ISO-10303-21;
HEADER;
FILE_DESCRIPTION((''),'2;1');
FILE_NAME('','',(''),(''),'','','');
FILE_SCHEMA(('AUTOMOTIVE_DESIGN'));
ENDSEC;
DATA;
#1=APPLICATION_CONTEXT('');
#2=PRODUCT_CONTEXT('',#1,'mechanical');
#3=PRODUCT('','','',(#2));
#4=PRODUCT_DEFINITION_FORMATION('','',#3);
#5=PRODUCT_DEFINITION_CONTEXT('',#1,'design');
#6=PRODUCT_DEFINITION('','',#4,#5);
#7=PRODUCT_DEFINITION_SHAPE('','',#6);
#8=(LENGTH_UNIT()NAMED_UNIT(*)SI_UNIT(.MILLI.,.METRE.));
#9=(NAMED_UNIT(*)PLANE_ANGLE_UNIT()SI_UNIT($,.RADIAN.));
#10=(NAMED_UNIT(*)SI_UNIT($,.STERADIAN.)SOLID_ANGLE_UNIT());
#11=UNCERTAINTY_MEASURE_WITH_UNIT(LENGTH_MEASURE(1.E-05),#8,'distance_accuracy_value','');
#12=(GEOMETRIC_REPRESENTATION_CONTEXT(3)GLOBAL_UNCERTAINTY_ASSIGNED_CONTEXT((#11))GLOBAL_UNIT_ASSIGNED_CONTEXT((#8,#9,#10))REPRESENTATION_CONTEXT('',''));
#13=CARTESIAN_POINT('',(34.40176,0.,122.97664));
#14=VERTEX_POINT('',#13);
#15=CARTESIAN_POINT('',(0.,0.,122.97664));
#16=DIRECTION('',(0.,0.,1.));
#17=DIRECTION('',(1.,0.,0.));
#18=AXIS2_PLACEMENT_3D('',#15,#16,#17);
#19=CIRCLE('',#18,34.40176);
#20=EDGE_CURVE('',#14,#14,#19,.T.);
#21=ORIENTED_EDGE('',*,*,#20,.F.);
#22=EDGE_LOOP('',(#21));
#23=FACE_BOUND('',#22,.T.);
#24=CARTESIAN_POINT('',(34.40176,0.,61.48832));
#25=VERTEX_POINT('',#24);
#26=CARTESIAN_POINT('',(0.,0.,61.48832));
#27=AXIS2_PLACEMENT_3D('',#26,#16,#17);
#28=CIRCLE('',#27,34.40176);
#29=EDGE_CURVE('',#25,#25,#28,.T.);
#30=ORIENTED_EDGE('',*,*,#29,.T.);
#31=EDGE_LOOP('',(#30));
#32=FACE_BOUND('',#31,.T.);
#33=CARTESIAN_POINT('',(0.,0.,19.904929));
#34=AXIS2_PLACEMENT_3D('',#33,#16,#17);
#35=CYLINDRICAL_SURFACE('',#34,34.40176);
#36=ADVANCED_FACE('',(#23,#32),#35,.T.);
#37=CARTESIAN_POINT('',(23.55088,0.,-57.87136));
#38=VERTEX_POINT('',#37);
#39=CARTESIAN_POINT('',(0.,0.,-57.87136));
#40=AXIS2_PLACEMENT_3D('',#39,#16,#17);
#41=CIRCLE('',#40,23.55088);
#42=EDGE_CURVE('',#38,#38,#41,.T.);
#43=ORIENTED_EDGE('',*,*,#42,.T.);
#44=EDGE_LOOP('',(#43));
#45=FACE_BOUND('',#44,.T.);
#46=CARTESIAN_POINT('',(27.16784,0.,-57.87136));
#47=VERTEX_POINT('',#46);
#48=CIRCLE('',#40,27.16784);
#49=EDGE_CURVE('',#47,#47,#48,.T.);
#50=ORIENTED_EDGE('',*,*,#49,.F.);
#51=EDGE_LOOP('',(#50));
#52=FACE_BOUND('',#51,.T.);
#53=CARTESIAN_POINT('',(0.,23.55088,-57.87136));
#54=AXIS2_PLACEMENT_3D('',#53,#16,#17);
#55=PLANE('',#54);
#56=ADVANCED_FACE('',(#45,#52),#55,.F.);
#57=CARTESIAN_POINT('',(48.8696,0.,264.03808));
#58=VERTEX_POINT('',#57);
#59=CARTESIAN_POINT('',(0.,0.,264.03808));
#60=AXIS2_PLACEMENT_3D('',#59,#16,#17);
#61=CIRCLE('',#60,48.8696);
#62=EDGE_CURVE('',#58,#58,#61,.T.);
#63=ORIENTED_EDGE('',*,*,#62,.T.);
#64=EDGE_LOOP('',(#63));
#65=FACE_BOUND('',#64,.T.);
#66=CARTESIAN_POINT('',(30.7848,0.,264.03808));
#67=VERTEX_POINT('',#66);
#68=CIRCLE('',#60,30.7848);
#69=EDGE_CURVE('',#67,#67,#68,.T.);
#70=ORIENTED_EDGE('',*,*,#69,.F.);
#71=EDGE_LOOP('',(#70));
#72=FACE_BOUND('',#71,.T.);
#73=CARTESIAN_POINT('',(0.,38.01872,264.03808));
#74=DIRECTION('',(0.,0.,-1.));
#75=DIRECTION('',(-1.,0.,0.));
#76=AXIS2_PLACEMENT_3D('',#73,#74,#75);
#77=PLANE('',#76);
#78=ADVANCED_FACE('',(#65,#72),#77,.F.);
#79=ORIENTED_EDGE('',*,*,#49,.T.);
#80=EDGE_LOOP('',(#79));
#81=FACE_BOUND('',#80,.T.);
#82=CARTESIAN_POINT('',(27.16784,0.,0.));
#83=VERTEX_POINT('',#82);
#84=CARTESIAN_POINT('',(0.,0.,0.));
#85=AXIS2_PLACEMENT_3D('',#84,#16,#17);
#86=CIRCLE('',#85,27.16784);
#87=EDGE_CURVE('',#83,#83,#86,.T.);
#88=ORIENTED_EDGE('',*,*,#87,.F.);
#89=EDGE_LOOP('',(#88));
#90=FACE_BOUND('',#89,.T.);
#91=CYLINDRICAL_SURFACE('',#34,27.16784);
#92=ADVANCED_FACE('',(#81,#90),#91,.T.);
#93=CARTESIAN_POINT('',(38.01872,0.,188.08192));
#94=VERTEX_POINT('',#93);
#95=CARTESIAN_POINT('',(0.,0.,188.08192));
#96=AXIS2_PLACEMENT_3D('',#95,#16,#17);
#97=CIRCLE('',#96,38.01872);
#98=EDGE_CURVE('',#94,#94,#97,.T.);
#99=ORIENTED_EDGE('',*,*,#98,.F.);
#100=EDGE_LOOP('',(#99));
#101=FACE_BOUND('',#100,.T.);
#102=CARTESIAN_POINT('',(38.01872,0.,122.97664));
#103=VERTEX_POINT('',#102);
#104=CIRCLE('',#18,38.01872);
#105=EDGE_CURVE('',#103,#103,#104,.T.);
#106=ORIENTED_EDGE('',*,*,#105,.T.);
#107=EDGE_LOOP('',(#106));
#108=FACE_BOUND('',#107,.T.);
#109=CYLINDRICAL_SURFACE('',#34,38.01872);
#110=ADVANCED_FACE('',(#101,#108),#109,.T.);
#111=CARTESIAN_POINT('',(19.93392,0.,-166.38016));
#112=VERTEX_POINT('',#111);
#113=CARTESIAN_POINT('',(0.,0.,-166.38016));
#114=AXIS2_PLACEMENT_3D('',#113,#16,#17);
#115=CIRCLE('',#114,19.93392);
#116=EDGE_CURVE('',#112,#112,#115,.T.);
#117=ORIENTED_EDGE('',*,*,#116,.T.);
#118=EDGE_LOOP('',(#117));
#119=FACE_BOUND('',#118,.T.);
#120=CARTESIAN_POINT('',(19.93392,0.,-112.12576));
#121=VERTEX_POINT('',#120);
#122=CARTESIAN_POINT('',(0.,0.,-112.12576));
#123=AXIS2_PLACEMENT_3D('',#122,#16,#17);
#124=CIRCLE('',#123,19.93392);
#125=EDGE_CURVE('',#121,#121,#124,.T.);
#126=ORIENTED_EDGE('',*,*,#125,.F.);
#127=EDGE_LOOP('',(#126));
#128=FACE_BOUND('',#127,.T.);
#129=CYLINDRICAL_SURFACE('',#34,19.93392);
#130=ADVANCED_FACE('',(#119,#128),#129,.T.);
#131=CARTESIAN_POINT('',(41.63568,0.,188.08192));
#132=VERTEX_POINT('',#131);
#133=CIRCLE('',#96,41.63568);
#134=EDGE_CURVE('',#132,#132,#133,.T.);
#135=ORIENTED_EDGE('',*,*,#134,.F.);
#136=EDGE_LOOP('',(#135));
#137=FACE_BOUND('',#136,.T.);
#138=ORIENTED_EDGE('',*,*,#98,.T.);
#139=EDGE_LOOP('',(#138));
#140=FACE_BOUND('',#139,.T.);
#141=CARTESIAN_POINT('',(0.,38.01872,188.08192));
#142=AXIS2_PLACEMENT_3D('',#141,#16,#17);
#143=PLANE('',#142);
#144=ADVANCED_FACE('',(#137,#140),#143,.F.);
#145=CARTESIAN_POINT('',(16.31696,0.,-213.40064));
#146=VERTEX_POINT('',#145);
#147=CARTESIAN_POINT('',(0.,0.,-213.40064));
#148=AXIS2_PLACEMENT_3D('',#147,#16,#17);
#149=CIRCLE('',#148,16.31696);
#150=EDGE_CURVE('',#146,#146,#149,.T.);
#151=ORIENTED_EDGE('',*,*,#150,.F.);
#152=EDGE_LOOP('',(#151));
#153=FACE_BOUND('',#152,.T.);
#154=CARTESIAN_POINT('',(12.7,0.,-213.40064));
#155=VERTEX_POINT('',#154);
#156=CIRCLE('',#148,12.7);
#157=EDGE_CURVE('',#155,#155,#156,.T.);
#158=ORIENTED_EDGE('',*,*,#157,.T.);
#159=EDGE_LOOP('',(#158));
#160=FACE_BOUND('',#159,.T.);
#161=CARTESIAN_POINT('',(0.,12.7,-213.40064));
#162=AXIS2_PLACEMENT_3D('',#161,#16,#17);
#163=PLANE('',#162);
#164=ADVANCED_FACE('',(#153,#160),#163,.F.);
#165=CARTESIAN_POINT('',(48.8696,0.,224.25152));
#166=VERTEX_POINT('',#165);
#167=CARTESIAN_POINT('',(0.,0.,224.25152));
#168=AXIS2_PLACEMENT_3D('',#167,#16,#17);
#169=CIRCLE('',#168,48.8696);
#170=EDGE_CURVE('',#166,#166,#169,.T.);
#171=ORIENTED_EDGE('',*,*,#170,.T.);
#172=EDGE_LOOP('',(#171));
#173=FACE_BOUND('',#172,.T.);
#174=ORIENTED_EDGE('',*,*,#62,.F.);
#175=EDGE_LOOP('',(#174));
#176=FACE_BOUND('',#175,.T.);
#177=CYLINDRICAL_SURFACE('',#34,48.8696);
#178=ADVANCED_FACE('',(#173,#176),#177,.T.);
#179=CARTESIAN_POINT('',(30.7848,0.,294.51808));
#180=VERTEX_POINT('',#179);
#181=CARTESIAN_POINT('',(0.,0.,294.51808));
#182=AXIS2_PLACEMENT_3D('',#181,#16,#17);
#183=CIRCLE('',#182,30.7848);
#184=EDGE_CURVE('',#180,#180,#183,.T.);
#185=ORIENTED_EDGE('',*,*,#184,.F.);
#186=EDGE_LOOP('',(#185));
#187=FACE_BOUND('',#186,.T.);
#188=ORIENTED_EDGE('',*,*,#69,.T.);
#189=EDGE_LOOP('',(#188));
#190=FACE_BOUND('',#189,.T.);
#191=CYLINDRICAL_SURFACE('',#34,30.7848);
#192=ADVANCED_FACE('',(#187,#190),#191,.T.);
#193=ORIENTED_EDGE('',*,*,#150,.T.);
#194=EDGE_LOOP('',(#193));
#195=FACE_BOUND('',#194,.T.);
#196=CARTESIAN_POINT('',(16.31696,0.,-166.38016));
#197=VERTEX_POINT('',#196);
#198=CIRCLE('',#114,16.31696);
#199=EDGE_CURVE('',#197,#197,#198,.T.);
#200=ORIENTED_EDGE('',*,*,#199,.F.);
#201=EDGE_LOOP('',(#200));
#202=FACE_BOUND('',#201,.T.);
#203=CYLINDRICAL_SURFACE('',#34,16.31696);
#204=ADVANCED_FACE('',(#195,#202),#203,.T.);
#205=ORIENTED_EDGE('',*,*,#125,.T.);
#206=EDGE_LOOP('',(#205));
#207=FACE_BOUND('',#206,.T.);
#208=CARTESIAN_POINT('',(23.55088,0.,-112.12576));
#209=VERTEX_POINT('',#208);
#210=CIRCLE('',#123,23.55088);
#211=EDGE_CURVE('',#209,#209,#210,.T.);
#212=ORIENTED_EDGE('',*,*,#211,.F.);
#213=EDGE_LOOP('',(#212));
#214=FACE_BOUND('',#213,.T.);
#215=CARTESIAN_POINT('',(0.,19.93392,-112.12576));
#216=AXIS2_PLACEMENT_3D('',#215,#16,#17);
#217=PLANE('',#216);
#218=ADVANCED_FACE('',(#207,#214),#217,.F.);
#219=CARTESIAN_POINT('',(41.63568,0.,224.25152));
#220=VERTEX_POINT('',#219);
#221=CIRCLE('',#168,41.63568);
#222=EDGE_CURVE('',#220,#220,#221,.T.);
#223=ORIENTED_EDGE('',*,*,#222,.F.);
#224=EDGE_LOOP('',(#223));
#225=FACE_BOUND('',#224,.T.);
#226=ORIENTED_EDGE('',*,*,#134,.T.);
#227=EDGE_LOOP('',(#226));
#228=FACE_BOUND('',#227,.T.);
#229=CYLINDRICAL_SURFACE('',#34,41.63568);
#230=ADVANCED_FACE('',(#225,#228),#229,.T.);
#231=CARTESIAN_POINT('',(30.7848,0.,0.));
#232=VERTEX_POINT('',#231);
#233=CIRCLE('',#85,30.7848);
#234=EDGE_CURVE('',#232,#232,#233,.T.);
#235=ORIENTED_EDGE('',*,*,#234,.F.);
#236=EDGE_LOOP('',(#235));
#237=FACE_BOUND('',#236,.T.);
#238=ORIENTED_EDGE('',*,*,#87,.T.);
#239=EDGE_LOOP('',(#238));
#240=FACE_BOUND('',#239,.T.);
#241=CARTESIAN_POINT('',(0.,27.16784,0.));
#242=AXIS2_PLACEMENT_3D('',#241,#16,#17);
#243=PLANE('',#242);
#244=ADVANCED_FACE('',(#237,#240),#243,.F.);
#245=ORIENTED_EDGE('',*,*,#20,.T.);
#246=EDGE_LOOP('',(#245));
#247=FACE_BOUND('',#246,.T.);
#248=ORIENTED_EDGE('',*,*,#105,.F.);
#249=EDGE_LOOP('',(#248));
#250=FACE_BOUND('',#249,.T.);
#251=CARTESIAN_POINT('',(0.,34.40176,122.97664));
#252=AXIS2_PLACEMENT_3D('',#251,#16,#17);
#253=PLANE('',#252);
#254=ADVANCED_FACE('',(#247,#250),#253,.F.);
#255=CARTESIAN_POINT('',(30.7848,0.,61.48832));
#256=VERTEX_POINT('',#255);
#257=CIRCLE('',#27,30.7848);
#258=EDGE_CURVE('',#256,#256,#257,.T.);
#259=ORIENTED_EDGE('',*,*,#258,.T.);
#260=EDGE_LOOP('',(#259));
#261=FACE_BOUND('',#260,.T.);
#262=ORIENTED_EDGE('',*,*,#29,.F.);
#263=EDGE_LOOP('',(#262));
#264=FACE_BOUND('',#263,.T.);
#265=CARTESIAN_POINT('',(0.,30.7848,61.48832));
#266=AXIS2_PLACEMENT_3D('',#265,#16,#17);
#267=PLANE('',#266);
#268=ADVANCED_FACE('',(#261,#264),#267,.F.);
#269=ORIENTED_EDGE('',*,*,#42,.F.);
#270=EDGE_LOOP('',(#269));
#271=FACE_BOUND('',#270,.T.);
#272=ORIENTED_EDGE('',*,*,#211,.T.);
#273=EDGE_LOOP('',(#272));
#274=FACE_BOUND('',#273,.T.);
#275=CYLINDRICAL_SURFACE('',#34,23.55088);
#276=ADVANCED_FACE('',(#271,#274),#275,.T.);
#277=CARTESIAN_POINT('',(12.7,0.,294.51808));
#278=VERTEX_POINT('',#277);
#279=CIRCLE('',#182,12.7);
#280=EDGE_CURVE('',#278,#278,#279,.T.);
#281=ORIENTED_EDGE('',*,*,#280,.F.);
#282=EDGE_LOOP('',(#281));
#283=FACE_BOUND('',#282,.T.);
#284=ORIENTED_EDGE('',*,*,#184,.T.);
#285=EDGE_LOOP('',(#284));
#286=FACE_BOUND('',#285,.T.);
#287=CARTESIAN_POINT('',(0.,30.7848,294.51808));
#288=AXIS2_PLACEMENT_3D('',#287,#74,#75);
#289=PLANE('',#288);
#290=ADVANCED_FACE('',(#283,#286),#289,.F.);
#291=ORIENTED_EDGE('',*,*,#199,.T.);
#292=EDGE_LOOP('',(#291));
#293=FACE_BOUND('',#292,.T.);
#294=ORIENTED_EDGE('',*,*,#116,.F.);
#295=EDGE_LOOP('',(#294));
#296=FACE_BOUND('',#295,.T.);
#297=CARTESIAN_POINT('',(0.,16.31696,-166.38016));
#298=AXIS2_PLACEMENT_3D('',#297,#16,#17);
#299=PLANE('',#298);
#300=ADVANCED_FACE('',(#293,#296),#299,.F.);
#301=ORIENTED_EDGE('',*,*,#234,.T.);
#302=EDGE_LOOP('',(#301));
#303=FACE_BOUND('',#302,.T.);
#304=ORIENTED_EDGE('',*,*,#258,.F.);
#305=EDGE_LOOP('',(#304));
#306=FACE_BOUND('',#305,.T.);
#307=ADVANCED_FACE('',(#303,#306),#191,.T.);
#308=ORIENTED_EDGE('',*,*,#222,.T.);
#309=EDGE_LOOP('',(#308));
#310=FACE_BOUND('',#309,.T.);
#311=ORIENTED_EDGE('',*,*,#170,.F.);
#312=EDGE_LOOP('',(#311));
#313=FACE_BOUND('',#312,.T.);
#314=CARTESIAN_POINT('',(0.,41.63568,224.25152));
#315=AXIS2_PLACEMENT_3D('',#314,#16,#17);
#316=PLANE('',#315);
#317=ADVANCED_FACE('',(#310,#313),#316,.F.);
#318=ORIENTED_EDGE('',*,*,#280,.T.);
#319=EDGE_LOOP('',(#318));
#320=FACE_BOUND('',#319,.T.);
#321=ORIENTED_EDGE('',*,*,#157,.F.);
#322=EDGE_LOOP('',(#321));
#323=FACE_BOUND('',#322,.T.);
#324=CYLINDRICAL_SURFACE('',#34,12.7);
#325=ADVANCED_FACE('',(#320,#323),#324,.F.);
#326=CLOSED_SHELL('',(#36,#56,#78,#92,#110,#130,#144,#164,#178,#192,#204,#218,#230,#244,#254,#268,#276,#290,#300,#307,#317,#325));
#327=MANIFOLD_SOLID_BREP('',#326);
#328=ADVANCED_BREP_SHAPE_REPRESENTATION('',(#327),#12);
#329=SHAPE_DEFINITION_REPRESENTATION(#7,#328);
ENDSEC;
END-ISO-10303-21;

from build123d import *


with BuildPart() as part:
    # Sketch1 → Revolve1 (revolve)
    with BuildSketch(Plane(origin=(0, 0, 0), x_dir=(0, 0, -1), z_dir=(1, 0, 0)), mode=Mode.PRIVATE) as revolve1_sk:
        Polygon((-264.03808, 12.7), (213.40064, 12.7), (213.40064, 16.31696), (166.38016, 16.31696), (166.38016, 19.93392), (112.12576, 19.93392), (112.12576, 23.55088), (57.87136, 23.55088), (57.87136, 27.16784), (0, 27.16784), (0, 30.7848), (-61.48832, 30.7848), (-61.48832, 34.40176), (-122.97664, 34.40176), (-122.97664, 38.01872), (-188.08192, 38.01872), (-188.08192, 41.63568), (-224.25152, 41.63568), (-224.25152, 48.8696), (-264.03808, 48.8696), (-264.03808, 38.01872), (-264.03808, 30.7848), (-294.51808, 30.7848), (-294.51808, 12.7), align=None)
    revolve(revolve1_sk.sketch.rotate(Axis((0, 0, 19.904928919), (0, 0, -1)), 90), axis=Axis((0, 0, 19.904928919), (0, 0, -1)))


solid = part.part
